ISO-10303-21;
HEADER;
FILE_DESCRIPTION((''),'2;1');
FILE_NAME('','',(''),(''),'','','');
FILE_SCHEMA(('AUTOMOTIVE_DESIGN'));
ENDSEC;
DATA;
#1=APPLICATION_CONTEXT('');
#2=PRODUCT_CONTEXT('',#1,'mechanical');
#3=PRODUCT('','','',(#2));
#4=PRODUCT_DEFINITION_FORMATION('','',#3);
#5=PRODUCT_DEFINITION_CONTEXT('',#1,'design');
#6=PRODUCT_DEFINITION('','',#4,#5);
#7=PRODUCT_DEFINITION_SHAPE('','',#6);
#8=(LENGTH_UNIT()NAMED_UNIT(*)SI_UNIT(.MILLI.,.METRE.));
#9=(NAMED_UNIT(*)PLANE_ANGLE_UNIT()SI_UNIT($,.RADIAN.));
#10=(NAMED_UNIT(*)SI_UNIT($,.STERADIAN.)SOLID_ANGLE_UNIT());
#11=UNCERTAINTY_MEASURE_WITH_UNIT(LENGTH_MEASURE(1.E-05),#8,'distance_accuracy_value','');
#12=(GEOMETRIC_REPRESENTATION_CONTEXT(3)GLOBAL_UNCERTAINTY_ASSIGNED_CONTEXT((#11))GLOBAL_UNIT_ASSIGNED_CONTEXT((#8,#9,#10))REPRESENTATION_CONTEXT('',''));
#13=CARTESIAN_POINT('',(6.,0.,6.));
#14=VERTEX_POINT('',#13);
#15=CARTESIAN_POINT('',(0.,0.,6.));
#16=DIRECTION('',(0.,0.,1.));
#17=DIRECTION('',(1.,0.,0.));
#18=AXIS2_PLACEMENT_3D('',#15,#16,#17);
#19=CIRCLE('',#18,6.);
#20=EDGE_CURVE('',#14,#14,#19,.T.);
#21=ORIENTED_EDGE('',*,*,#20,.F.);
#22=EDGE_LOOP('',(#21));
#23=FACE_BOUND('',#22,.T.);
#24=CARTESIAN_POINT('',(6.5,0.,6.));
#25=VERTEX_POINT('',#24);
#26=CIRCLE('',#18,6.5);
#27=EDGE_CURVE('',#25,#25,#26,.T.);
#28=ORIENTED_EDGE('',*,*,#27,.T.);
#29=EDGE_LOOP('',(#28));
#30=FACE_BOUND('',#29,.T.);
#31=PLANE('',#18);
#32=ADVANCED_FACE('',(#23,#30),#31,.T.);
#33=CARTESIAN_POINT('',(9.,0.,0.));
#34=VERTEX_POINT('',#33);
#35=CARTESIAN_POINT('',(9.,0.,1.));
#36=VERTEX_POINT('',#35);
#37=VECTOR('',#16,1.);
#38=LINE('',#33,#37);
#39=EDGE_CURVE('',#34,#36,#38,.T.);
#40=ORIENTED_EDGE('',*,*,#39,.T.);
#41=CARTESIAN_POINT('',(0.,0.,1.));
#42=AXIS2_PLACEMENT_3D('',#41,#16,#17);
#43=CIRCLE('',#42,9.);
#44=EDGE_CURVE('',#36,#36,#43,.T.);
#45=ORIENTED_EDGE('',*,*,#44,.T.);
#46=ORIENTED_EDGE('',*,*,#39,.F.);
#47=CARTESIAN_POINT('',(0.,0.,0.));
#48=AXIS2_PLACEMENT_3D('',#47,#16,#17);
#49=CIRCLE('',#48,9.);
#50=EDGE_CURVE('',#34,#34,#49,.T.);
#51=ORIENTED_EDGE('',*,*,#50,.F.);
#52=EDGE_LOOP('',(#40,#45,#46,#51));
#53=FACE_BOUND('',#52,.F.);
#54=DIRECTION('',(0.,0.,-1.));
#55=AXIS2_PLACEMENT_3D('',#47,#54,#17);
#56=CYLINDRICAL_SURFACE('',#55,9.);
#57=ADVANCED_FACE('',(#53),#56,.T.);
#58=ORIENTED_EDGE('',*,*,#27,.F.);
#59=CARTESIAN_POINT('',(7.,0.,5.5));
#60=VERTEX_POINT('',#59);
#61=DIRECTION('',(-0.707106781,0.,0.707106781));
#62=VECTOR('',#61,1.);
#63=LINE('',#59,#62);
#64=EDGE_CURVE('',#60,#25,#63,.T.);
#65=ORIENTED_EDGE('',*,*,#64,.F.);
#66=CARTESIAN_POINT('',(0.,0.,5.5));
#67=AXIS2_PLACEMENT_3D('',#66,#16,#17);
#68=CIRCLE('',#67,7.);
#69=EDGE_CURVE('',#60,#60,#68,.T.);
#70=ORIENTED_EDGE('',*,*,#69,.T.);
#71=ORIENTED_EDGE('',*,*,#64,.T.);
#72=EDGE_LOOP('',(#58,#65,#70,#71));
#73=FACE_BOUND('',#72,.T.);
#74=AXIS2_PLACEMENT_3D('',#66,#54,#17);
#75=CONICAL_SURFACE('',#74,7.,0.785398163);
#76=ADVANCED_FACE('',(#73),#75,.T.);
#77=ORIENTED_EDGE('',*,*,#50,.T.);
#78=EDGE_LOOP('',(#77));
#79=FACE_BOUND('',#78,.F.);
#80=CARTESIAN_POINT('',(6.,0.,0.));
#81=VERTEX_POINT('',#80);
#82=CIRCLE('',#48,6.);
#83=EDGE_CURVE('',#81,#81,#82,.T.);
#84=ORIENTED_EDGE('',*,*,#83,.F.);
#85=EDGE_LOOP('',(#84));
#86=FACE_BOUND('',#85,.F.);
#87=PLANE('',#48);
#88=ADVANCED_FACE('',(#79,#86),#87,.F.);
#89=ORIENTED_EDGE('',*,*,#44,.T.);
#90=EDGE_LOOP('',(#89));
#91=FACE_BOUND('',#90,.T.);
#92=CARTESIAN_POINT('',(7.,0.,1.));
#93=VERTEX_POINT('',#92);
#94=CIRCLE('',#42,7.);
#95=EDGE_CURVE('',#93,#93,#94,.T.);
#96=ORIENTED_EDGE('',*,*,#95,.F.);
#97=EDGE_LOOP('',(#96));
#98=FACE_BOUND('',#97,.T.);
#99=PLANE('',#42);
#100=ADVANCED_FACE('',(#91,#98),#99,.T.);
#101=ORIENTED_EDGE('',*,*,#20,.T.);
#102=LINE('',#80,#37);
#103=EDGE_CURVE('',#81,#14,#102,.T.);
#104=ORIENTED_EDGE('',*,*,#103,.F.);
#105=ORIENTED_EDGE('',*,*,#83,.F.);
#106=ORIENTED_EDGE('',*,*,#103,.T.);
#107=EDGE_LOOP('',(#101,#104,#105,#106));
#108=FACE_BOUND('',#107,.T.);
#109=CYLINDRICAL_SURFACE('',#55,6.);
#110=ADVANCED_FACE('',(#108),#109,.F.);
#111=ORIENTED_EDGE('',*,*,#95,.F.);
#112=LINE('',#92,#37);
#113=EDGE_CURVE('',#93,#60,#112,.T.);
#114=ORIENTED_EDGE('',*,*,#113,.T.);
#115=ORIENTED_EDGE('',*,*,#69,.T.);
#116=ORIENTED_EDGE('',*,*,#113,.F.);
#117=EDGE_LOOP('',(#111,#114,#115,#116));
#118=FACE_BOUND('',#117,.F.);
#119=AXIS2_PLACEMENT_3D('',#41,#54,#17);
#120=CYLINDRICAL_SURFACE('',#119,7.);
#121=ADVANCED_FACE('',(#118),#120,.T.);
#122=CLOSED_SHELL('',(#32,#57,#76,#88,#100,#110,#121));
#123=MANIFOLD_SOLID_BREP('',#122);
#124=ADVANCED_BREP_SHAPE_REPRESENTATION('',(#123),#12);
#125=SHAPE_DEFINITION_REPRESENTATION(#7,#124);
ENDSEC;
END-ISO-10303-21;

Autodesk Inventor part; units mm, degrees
ref_plane "YZ Plane" through (0, 0, 0) normal (1, 0, 0) x (0, 1, 0)
ref_plane "XZ Plane" through (0, 0, 0) normal (0, 1, 0) x (-1, 0, 0)
ref_plane "XY Plane" through (0, 0, 0) normal (0, 0, 1) x (1, 0, 0)
sketch "スケッチ1" plane through (0, 0, 0) normal (0, 0, 1) x (1, 0, 0)
  circle A0 centre (0, 0) radius 9
  circle A1 centre (0, 0) radius 6
  dimension "d0" = 18
  dimension "d1" = 12
extrude "押し出し1" add sketch "スケッチ1" along normal blind 1
sketch "スケッチ2" plane through (0, 0, 1) normal (0, 0, 1) x (1, 0, 0)
  circle A0 centre (0, 0) radius 9 projected
  circle A1 centre (0, 0) radius 6 projected
  circle A2 centre (0, 0) radius 7
  dimension "d4" = 14
extrude "押し出し2" add sketch "スケッチ2" along normal blind 5 contours A2
chamfer "面取り1" distance 0.5 angle 45 1 edges at (-7, 0, 6)
properties part number "オイレスw5f6-10a" material "アセタール樹脂、黒"
